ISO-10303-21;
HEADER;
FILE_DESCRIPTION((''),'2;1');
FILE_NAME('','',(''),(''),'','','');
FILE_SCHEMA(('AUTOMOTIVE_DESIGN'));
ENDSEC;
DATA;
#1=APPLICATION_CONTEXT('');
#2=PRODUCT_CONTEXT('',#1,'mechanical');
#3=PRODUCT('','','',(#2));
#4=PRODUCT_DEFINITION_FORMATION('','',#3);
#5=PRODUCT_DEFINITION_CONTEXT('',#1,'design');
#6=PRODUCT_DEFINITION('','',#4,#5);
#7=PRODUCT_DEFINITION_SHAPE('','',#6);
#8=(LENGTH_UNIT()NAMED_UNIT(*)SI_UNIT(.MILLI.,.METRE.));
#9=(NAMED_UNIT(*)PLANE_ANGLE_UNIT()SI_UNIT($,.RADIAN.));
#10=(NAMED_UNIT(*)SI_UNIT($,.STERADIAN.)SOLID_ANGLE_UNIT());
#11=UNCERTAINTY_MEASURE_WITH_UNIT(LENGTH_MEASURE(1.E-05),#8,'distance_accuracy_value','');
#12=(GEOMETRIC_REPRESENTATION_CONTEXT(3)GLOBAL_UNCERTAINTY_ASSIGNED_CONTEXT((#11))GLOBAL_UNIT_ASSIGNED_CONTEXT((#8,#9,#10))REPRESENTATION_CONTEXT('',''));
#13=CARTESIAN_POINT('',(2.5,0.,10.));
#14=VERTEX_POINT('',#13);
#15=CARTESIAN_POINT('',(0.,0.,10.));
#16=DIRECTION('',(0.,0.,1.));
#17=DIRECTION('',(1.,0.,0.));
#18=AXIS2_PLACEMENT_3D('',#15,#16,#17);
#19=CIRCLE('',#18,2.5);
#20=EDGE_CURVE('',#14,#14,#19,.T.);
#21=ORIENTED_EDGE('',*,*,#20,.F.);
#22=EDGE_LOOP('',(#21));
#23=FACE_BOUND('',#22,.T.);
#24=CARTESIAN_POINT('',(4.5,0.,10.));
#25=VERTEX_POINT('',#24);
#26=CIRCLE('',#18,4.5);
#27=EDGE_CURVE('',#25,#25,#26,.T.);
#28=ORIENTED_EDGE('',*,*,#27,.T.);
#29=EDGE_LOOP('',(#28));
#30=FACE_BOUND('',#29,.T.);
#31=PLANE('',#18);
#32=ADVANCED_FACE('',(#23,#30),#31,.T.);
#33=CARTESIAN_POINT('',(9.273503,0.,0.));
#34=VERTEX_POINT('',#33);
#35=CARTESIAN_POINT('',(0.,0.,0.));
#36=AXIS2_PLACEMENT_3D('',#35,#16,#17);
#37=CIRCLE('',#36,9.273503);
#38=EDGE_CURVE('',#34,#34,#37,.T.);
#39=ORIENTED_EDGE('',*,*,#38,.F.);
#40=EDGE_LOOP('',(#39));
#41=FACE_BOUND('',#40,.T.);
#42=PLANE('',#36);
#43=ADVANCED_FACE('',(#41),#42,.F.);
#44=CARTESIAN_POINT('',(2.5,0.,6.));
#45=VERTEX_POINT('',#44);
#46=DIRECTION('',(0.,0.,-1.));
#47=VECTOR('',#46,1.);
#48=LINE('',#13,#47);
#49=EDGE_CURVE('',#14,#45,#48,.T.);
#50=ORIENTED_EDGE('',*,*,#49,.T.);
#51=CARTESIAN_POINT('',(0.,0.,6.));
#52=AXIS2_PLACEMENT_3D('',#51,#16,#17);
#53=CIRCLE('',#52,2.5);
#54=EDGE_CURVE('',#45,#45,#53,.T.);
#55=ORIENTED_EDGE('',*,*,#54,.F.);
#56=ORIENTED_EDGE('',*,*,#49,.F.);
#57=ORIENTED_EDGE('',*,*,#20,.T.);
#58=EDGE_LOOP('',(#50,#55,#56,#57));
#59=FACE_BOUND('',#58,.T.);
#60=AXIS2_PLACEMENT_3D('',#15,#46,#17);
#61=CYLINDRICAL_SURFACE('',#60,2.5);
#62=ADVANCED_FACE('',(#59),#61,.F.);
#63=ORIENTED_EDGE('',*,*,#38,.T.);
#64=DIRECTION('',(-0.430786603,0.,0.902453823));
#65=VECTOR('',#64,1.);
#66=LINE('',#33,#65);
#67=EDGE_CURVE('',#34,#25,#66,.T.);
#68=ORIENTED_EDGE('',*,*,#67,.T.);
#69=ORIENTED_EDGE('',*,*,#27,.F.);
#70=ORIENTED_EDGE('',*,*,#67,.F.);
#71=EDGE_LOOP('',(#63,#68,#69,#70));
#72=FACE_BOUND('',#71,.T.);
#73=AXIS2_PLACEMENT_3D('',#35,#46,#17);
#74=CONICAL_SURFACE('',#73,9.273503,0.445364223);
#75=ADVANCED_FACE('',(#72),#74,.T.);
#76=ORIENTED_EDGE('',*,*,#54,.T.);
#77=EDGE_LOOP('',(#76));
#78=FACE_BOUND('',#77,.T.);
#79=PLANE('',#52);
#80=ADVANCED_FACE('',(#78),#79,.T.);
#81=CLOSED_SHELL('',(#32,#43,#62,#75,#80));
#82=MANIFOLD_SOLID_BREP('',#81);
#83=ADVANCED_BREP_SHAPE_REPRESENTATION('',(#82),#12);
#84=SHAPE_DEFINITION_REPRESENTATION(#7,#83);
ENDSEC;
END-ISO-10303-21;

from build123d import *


with BuildPart() as part:
    # Sketch → Revolution (revolve)
    with BuildSketch(Plane.XZ):
        Polygon((2.5, 10), (2.5, 6), (0, 6), (0, 0), (9.273503, 0), (4.5, 10), align=None)
    revolve(axis=Axis((0, 0, 0), (0, 0, 1)))


solid = part.part
